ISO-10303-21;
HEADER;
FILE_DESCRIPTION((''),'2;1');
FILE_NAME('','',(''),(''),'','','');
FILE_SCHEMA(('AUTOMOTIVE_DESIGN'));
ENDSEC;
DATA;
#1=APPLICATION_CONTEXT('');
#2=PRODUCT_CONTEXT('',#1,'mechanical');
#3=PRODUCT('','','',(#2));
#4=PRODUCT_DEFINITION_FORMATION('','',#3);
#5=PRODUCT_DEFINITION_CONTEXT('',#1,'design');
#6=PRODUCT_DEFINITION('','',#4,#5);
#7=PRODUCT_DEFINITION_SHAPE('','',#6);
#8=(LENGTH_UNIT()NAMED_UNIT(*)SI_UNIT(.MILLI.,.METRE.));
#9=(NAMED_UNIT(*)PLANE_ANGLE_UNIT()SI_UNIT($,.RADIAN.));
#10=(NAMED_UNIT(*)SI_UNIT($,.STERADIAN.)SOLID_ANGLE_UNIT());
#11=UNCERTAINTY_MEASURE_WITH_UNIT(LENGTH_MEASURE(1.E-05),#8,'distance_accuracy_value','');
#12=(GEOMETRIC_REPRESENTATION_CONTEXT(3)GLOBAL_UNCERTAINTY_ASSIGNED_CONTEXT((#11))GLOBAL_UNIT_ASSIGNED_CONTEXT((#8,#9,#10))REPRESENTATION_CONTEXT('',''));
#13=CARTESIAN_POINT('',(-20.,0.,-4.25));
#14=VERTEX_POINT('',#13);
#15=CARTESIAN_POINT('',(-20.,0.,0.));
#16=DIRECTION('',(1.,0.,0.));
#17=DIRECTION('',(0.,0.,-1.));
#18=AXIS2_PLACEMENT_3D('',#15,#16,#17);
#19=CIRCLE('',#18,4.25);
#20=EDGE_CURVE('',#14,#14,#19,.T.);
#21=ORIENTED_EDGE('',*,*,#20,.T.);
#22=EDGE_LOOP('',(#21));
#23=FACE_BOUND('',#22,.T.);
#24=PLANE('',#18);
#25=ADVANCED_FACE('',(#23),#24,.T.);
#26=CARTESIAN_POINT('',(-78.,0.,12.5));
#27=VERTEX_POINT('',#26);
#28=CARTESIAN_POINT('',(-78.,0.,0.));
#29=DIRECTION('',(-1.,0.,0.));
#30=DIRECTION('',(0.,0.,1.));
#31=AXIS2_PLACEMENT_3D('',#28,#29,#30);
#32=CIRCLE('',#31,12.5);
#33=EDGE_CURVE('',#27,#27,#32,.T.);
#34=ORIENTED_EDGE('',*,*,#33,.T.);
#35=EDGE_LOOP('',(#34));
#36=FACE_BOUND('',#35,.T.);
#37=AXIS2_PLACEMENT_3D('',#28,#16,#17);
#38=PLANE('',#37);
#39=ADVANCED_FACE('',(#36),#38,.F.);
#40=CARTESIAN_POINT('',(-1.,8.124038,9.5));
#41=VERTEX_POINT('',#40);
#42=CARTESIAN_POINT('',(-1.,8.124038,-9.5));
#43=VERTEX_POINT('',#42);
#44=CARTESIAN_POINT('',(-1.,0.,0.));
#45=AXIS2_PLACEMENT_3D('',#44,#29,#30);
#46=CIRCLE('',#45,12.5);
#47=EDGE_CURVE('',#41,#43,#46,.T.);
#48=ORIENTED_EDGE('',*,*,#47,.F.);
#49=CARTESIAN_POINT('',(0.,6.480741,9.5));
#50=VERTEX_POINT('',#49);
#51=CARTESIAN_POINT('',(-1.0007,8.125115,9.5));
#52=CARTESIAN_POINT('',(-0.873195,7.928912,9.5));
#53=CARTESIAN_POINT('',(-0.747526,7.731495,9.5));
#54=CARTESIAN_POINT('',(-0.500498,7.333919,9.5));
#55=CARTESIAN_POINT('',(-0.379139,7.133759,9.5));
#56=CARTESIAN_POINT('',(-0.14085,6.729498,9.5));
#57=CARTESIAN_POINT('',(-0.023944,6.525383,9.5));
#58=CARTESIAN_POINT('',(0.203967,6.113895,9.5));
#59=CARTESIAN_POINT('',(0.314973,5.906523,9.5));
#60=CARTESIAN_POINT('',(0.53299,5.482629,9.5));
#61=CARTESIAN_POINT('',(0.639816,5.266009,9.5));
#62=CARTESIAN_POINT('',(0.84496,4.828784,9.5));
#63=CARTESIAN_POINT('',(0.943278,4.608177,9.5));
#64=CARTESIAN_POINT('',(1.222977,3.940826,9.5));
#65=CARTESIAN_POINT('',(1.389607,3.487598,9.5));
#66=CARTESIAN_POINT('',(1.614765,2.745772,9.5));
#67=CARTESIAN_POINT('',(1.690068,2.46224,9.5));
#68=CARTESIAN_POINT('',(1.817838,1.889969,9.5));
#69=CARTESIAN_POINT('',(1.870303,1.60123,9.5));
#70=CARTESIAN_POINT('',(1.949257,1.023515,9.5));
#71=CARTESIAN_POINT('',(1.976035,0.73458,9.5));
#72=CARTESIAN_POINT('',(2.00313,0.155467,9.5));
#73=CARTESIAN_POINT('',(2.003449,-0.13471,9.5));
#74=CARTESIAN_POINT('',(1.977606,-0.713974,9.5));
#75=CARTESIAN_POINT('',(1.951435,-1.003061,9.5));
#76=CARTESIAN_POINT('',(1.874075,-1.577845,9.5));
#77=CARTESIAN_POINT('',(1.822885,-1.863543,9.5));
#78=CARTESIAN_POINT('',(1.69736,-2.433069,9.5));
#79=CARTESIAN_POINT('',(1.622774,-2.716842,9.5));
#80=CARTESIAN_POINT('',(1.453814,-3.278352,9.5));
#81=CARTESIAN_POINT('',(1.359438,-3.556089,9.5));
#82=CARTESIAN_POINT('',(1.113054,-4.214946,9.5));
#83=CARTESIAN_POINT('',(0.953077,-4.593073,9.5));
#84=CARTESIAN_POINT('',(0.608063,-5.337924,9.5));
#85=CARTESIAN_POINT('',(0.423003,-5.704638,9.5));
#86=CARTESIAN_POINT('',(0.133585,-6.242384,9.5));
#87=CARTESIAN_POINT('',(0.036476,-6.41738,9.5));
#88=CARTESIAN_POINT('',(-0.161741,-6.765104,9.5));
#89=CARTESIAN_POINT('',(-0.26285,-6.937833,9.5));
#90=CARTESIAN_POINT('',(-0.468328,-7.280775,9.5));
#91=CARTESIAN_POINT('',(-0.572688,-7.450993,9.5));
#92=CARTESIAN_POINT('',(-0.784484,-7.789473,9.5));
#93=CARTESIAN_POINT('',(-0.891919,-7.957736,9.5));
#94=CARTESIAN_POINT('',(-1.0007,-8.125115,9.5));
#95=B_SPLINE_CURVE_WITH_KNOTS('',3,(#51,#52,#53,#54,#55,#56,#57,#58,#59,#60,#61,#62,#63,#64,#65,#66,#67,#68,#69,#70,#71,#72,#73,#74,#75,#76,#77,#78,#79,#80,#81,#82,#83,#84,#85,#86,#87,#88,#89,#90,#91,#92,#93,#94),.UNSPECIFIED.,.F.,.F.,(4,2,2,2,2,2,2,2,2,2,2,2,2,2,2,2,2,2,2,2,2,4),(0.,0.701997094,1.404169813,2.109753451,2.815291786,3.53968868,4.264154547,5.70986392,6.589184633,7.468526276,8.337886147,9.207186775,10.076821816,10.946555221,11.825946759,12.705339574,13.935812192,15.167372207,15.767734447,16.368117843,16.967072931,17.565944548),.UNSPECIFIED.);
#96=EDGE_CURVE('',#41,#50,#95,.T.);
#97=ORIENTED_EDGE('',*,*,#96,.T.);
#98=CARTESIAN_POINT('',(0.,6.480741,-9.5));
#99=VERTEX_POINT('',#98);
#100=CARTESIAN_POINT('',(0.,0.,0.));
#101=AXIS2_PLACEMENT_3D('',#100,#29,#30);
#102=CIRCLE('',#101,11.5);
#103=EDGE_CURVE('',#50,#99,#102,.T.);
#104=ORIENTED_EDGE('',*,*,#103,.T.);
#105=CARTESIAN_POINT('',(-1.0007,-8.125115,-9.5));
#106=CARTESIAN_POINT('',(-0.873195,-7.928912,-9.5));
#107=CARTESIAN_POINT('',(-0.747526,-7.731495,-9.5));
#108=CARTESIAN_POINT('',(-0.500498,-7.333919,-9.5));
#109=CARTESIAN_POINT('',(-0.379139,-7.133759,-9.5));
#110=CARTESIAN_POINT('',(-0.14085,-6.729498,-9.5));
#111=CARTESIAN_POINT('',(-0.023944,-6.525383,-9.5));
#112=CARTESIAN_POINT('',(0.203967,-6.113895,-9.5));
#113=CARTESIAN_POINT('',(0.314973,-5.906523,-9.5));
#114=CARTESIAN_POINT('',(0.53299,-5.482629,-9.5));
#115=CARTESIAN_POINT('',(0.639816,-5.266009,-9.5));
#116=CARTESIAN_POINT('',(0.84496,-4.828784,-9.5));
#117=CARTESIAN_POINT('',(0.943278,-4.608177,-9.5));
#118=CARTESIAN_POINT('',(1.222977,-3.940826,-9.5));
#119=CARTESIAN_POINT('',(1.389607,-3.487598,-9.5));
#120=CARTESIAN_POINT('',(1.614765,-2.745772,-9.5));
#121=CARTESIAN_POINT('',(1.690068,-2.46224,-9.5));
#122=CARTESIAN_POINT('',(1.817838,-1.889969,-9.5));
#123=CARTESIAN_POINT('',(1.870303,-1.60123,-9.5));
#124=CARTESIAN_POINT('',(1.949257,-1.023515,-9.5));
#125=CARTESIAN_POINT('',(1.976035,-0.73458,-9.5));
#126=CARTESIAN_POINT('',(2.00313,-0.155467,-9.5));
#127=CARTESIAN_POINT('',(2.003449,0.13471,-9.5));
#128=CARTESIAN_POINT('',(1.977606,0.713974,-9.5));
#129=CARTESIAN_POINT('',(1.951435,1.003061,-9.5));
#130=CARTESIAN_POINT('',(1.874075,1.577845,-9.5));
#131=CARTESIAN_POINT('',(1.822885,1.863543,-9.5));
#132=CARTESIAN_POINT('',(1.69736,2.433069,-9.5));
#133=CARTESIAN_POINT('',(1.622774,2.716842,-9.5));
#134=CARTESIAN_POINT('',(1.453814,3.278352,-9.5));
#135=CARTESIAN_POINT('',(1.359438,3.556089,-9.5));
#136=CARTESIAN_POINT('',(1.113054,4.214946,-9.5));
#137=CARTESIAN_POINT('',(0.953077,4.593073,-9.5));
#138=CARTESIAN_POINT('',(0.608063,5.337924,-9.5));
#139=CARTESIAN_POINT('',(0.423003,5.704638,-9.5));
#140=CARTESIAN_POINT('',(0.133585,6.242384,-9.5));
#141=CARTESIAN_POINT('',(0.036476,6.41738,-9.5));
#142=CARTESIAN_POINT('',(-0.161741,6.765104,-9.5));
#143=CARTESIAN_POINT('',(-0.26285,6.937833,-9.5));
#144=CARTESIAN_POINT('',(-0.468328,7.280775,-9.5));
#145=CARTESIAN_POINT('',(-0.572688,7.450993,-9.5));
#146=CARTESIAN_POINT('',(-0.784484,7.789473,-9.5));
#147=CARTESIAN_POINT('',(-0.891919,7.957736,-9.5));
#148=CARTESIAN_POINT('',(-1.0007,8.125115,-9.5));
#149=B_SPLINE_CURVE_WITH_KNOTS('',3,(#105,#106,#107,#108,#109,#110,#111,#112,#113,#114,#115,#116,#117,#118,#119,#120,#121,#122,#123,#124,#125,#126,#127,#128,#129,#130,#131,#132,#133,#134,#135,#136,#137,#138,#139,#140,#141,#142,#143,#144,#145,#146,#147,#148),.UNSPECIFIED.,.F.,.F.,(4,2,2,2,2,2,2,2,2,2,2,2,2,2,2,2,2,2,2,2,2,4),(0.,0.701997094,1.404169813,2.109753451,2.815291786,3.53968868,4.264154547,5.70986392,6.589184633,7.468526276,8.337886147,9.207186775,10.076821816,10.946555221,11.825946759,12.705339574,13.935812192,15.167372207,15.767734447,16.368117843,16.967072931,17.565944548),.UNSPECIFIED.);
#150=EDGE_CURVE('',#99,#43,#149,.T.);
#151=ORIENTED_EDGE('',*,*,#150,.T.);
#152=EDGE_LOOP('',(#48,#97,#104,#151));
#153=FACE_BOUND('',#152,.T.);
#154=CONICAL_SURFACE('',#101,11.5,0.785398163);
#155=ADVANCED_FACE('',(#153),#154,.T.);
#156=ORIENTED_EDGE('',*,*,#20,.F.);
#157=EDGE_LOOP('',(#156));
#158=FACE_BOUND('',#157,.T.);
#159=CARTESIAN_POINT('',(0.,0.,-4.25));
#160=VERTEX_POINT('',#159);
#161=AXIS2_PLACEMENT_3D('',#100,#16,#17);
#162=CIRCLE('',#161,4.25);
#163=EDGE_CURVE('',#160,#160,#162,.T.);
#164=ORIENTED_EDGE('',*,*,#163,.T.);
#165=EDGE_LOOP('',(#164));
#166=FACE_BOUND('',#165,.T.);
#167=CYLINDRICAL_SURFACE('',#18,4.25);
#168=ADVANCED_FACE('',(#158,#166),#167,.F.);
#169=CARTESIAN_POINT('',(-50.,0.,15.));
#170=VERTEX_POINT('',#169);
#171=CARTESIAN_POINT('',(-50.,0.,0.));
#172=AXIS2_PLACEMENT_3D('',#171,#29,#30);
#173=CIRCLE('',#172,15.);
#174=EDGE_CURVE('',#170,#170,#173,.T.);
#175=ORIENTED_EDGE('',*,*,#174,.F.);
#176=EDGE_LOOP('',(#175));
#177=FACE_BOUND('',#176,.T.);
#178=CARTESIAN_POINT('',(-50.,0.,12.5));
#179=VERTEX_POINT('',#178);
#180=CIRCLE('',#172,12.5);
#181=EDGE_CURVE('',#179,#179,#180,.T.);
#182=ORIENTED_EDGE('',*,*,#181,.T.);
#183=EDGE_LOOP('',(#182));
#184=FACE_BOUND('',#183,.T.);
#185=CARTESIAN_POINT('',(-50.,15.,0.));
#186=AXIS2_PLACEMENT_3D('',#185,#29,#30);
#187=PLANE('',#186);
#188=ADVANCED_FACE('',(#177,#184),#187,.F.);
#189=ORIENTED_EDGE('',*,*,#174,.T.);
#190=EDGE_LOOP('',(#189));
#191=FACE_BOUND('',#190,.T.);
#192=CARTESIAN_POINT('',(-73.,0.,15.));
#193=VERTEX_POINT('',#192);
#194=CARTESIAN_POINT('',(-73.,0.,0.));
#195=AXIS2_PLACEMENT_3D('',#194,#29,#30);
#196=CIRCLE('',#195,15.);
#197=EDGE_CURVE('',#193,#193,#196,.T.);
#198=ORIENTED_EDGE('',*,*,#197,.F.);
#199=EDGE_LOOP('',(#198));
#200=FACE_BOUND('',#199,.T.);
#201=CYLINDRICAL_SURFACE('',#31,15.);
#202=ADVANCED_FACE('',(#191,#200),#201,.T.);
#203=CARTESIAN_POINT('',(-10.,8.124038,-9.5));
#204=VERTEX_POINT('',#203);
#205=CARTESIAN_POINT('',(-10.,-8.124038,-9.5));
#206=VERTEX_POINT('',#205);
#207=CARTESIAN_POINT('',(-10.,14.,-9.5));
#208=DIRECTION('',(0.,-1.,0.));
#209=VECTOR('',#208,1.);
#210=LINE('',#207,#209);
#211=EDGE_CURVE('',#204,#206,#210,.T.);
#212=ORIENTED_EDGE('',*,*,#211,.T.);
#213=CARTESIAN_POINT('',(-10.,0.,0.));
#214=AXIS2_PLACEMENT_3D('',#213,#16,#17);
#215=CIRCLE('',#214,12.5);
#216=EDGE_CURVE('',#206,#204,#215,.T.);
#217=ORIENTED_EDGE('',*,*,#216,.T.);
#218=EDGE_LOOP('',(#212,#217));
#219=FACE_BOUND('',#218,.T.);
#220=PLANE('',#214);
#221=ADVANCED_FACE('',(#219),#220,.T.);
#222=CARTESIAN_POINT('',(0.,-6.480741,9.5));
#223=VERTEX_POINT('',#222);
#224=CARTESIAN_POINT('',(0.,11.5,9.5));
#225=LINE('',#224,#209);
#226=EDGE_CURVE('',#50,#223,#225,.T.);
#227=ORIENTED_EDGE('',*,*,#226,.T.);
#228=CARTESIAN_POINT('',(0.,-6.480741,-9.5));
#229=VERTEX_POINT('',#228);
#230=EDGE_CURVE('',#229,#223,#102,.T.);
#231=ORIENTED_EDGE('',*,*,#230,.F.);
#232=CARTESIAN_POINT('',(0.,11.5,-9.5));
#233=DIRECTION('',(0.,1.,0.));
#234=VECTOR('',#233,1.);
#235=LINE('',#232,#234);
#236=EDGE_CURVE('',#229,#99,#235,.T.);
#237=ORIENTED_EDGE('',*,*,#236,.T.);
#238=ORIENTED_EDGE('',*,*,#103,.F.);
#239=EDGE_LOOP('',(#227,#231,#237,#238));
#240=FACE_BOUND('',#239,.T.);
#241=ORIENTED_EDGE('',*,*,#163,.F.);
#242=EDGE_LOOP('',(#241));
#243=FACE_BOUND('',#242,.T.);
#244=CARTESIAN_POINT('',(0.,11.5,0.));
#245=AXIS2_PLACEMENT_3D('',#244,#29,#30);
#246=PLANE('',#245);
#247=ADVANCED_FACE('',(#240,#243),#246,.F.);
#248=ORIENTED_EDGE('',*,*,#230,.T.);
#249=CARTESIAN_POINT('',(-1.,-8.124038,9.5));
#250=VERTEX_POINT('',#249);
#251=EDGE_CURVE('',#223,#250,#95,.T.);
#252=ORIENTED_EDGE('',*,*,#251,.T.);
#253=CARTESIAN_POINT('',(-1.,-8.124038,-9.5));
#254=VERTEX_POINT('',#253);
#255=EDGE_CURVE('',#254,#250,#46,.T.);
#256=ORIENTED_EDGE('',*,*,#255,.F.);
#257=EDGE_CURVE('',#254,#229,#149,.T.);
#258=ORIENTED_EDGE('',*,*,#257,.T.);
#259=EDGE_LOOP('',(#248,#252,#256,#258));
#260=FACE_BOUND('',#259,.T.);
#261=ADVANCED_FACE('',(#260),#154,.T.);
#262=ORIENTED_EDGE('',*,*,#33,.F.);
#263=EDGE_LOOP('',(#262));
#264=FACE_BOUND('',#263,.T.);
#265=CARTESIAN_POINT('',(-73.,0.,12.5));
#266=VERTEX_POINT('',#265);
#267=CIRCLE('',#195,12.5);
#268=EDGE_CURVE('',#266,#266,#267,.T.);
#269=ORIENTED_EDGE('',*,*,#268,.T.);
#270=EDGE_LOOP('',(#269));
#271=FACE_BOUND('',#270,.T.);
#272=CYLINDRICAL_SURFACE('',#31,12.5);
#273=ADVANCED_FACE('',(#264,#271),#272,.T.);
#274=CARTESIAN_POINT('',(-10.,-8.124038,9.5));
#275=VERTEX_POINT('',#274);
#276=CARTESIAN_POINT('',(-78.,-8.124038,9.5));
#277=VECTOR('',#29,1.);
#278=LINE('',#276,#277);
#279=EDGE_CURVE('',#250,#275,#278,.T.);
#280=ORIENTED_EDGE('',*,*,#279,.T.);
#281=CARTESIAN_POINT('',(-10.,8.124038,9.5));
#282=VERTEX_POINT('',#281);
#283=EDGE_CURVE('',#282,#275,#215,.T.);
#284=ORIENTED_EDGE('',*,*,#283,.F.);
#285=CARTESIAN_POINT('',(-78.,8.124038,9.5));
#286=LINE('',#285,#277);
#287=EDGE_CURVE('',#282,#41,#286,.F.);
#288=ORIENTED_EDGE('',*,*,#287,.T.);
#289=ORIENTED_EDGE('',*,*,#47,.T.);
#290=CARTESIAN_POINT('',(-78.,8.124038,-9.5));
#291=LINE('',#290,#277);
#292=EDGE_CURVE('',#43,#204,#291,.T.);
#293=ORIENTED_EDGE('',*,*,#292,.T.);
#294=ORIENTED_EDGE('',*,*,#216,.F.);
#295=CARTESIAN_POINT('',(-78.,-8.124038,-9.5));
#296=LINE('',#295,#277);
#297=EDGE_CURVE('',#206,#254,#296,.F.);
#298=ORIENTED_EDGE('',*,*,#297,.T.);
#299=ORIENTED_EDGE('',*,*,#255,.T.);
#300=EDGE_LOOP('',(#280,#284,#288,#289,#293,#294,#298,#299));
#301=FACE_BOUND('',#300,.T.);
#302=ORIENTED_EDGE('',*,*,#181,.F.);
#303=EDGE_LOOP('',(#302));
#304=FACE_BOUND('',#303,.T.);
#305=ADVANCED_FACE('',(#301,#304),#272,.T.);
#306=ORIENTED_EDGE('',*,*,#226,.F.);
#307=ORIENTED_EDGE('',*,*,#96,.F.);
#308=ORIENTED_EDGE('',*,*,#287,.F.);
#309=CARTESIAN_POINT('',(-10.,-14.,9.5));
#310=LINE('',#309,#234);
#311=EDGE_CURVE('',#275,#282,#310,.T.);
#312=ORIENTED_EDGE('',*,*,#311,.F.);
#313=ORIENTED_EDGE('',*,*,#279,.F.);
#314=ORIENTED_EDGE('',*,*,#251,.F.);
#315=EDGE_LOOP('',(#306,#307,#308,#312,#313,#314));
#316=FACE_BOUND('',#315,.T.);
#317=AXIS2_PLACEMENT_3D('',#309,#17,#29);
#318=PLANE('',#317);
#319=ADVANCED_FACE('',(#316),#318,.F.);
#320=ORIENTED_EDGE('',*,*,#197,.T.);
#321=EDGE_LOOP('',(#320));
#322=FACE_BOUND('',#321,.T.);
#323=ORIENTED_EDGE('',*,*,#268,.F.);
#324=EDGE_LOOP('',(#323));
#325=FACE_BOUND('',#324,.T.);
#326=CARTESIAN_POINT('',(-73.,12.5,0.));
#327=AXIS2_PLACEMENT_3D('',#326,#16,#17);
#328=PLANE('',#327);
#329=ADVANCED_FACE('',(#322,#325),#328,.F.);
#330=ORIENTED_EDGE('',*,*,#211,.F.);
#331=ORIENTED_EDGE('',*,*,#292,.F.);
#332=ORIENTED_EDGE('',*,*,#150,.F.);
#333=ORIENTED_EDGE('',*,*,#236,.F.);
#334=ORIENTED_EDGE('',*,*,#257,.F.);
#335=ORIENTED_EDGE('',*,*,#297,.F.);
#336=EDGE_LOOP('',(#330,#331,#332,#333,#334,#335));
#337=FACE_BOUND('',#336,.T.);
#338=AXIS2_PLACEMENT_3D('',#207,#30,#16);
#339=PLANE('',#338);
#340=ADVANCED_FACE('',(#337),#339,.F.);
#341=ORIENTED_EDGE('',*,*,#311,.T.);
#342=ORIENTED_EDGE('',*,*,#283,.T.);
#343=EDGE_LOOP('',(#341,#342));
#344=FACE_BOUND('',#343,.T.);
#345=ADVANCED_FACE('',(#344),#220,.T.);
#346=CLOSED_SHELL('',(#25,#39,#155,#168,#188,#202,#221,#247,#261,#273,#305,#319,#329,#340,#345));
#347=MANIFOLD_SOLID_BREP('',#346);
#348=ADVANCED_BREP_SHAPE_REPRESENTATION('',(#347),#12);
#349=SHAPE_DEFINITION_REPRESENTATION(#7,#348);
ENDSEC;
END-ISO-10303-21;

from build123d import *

# Parameters (mm, degrees)
SKETCH_2_W          = 4.5
SKETCH_2_H          = 28
CUT_EXTRUDE_1_DEPTH = 10
SKETCH_3_R          = 4.25
CUT_EXTRUDE_2_DEPTH = 20


with BuildPart() as part:
    # ｽｹｯﾁ1 → 回転1 (revolve)
    with BuildSketch(Plane.XY, mode=Mode.PRIVATE) as revolve_1_sk:
        Polygon((-78, 0), (-78, 12.5), (-73, 12.5), (-73, 15), (-50, 15), (-50, 12.5), (-1, 12.5), (0, 11.5), (0, 0), align=None)
    revolve(revolve_1_sk.sketch.rotate(Axis((-78, 0, 0), (1, 0, 0)), 90), axis=Axis((-78, 0, 0), (1, 0, 0)))

    # ｽｹｯﾁ2 → ｶｯﾄ - 押し出し1 (cut)
    with BuildSketch(Plane(origin=(0, 0, 0), x_dir=(0, 0, -1), z_dir=(1, 0, 0))):
        with Locations((11.75, 0)):
            Rectangle(SKETCH_2_W, SKETCH_2_H)
        with Locations((-11.75, 0)):
            Rectangle(SKETCH_2_W, SKETCH_2_H)
    extrude(amount=-CUT_EXTRUDE_1_DEPTH, mode=Mode.SUBTRACT)

    # ｽｹｯﾁ3 → ｶｯﾄ - 押し出し2 (cut)
    with BuildSketch(Plane(origin=(0, 0, 0), x_dir=(0, 0, -1), z_dir=(1, 0, 0))):
        Circle(SKETCH_3_R)
    extrude(amount=-CUT_EXTRUDE_2_DEPTH, mode=Mode.SUBTRACT)


solid = part.part
